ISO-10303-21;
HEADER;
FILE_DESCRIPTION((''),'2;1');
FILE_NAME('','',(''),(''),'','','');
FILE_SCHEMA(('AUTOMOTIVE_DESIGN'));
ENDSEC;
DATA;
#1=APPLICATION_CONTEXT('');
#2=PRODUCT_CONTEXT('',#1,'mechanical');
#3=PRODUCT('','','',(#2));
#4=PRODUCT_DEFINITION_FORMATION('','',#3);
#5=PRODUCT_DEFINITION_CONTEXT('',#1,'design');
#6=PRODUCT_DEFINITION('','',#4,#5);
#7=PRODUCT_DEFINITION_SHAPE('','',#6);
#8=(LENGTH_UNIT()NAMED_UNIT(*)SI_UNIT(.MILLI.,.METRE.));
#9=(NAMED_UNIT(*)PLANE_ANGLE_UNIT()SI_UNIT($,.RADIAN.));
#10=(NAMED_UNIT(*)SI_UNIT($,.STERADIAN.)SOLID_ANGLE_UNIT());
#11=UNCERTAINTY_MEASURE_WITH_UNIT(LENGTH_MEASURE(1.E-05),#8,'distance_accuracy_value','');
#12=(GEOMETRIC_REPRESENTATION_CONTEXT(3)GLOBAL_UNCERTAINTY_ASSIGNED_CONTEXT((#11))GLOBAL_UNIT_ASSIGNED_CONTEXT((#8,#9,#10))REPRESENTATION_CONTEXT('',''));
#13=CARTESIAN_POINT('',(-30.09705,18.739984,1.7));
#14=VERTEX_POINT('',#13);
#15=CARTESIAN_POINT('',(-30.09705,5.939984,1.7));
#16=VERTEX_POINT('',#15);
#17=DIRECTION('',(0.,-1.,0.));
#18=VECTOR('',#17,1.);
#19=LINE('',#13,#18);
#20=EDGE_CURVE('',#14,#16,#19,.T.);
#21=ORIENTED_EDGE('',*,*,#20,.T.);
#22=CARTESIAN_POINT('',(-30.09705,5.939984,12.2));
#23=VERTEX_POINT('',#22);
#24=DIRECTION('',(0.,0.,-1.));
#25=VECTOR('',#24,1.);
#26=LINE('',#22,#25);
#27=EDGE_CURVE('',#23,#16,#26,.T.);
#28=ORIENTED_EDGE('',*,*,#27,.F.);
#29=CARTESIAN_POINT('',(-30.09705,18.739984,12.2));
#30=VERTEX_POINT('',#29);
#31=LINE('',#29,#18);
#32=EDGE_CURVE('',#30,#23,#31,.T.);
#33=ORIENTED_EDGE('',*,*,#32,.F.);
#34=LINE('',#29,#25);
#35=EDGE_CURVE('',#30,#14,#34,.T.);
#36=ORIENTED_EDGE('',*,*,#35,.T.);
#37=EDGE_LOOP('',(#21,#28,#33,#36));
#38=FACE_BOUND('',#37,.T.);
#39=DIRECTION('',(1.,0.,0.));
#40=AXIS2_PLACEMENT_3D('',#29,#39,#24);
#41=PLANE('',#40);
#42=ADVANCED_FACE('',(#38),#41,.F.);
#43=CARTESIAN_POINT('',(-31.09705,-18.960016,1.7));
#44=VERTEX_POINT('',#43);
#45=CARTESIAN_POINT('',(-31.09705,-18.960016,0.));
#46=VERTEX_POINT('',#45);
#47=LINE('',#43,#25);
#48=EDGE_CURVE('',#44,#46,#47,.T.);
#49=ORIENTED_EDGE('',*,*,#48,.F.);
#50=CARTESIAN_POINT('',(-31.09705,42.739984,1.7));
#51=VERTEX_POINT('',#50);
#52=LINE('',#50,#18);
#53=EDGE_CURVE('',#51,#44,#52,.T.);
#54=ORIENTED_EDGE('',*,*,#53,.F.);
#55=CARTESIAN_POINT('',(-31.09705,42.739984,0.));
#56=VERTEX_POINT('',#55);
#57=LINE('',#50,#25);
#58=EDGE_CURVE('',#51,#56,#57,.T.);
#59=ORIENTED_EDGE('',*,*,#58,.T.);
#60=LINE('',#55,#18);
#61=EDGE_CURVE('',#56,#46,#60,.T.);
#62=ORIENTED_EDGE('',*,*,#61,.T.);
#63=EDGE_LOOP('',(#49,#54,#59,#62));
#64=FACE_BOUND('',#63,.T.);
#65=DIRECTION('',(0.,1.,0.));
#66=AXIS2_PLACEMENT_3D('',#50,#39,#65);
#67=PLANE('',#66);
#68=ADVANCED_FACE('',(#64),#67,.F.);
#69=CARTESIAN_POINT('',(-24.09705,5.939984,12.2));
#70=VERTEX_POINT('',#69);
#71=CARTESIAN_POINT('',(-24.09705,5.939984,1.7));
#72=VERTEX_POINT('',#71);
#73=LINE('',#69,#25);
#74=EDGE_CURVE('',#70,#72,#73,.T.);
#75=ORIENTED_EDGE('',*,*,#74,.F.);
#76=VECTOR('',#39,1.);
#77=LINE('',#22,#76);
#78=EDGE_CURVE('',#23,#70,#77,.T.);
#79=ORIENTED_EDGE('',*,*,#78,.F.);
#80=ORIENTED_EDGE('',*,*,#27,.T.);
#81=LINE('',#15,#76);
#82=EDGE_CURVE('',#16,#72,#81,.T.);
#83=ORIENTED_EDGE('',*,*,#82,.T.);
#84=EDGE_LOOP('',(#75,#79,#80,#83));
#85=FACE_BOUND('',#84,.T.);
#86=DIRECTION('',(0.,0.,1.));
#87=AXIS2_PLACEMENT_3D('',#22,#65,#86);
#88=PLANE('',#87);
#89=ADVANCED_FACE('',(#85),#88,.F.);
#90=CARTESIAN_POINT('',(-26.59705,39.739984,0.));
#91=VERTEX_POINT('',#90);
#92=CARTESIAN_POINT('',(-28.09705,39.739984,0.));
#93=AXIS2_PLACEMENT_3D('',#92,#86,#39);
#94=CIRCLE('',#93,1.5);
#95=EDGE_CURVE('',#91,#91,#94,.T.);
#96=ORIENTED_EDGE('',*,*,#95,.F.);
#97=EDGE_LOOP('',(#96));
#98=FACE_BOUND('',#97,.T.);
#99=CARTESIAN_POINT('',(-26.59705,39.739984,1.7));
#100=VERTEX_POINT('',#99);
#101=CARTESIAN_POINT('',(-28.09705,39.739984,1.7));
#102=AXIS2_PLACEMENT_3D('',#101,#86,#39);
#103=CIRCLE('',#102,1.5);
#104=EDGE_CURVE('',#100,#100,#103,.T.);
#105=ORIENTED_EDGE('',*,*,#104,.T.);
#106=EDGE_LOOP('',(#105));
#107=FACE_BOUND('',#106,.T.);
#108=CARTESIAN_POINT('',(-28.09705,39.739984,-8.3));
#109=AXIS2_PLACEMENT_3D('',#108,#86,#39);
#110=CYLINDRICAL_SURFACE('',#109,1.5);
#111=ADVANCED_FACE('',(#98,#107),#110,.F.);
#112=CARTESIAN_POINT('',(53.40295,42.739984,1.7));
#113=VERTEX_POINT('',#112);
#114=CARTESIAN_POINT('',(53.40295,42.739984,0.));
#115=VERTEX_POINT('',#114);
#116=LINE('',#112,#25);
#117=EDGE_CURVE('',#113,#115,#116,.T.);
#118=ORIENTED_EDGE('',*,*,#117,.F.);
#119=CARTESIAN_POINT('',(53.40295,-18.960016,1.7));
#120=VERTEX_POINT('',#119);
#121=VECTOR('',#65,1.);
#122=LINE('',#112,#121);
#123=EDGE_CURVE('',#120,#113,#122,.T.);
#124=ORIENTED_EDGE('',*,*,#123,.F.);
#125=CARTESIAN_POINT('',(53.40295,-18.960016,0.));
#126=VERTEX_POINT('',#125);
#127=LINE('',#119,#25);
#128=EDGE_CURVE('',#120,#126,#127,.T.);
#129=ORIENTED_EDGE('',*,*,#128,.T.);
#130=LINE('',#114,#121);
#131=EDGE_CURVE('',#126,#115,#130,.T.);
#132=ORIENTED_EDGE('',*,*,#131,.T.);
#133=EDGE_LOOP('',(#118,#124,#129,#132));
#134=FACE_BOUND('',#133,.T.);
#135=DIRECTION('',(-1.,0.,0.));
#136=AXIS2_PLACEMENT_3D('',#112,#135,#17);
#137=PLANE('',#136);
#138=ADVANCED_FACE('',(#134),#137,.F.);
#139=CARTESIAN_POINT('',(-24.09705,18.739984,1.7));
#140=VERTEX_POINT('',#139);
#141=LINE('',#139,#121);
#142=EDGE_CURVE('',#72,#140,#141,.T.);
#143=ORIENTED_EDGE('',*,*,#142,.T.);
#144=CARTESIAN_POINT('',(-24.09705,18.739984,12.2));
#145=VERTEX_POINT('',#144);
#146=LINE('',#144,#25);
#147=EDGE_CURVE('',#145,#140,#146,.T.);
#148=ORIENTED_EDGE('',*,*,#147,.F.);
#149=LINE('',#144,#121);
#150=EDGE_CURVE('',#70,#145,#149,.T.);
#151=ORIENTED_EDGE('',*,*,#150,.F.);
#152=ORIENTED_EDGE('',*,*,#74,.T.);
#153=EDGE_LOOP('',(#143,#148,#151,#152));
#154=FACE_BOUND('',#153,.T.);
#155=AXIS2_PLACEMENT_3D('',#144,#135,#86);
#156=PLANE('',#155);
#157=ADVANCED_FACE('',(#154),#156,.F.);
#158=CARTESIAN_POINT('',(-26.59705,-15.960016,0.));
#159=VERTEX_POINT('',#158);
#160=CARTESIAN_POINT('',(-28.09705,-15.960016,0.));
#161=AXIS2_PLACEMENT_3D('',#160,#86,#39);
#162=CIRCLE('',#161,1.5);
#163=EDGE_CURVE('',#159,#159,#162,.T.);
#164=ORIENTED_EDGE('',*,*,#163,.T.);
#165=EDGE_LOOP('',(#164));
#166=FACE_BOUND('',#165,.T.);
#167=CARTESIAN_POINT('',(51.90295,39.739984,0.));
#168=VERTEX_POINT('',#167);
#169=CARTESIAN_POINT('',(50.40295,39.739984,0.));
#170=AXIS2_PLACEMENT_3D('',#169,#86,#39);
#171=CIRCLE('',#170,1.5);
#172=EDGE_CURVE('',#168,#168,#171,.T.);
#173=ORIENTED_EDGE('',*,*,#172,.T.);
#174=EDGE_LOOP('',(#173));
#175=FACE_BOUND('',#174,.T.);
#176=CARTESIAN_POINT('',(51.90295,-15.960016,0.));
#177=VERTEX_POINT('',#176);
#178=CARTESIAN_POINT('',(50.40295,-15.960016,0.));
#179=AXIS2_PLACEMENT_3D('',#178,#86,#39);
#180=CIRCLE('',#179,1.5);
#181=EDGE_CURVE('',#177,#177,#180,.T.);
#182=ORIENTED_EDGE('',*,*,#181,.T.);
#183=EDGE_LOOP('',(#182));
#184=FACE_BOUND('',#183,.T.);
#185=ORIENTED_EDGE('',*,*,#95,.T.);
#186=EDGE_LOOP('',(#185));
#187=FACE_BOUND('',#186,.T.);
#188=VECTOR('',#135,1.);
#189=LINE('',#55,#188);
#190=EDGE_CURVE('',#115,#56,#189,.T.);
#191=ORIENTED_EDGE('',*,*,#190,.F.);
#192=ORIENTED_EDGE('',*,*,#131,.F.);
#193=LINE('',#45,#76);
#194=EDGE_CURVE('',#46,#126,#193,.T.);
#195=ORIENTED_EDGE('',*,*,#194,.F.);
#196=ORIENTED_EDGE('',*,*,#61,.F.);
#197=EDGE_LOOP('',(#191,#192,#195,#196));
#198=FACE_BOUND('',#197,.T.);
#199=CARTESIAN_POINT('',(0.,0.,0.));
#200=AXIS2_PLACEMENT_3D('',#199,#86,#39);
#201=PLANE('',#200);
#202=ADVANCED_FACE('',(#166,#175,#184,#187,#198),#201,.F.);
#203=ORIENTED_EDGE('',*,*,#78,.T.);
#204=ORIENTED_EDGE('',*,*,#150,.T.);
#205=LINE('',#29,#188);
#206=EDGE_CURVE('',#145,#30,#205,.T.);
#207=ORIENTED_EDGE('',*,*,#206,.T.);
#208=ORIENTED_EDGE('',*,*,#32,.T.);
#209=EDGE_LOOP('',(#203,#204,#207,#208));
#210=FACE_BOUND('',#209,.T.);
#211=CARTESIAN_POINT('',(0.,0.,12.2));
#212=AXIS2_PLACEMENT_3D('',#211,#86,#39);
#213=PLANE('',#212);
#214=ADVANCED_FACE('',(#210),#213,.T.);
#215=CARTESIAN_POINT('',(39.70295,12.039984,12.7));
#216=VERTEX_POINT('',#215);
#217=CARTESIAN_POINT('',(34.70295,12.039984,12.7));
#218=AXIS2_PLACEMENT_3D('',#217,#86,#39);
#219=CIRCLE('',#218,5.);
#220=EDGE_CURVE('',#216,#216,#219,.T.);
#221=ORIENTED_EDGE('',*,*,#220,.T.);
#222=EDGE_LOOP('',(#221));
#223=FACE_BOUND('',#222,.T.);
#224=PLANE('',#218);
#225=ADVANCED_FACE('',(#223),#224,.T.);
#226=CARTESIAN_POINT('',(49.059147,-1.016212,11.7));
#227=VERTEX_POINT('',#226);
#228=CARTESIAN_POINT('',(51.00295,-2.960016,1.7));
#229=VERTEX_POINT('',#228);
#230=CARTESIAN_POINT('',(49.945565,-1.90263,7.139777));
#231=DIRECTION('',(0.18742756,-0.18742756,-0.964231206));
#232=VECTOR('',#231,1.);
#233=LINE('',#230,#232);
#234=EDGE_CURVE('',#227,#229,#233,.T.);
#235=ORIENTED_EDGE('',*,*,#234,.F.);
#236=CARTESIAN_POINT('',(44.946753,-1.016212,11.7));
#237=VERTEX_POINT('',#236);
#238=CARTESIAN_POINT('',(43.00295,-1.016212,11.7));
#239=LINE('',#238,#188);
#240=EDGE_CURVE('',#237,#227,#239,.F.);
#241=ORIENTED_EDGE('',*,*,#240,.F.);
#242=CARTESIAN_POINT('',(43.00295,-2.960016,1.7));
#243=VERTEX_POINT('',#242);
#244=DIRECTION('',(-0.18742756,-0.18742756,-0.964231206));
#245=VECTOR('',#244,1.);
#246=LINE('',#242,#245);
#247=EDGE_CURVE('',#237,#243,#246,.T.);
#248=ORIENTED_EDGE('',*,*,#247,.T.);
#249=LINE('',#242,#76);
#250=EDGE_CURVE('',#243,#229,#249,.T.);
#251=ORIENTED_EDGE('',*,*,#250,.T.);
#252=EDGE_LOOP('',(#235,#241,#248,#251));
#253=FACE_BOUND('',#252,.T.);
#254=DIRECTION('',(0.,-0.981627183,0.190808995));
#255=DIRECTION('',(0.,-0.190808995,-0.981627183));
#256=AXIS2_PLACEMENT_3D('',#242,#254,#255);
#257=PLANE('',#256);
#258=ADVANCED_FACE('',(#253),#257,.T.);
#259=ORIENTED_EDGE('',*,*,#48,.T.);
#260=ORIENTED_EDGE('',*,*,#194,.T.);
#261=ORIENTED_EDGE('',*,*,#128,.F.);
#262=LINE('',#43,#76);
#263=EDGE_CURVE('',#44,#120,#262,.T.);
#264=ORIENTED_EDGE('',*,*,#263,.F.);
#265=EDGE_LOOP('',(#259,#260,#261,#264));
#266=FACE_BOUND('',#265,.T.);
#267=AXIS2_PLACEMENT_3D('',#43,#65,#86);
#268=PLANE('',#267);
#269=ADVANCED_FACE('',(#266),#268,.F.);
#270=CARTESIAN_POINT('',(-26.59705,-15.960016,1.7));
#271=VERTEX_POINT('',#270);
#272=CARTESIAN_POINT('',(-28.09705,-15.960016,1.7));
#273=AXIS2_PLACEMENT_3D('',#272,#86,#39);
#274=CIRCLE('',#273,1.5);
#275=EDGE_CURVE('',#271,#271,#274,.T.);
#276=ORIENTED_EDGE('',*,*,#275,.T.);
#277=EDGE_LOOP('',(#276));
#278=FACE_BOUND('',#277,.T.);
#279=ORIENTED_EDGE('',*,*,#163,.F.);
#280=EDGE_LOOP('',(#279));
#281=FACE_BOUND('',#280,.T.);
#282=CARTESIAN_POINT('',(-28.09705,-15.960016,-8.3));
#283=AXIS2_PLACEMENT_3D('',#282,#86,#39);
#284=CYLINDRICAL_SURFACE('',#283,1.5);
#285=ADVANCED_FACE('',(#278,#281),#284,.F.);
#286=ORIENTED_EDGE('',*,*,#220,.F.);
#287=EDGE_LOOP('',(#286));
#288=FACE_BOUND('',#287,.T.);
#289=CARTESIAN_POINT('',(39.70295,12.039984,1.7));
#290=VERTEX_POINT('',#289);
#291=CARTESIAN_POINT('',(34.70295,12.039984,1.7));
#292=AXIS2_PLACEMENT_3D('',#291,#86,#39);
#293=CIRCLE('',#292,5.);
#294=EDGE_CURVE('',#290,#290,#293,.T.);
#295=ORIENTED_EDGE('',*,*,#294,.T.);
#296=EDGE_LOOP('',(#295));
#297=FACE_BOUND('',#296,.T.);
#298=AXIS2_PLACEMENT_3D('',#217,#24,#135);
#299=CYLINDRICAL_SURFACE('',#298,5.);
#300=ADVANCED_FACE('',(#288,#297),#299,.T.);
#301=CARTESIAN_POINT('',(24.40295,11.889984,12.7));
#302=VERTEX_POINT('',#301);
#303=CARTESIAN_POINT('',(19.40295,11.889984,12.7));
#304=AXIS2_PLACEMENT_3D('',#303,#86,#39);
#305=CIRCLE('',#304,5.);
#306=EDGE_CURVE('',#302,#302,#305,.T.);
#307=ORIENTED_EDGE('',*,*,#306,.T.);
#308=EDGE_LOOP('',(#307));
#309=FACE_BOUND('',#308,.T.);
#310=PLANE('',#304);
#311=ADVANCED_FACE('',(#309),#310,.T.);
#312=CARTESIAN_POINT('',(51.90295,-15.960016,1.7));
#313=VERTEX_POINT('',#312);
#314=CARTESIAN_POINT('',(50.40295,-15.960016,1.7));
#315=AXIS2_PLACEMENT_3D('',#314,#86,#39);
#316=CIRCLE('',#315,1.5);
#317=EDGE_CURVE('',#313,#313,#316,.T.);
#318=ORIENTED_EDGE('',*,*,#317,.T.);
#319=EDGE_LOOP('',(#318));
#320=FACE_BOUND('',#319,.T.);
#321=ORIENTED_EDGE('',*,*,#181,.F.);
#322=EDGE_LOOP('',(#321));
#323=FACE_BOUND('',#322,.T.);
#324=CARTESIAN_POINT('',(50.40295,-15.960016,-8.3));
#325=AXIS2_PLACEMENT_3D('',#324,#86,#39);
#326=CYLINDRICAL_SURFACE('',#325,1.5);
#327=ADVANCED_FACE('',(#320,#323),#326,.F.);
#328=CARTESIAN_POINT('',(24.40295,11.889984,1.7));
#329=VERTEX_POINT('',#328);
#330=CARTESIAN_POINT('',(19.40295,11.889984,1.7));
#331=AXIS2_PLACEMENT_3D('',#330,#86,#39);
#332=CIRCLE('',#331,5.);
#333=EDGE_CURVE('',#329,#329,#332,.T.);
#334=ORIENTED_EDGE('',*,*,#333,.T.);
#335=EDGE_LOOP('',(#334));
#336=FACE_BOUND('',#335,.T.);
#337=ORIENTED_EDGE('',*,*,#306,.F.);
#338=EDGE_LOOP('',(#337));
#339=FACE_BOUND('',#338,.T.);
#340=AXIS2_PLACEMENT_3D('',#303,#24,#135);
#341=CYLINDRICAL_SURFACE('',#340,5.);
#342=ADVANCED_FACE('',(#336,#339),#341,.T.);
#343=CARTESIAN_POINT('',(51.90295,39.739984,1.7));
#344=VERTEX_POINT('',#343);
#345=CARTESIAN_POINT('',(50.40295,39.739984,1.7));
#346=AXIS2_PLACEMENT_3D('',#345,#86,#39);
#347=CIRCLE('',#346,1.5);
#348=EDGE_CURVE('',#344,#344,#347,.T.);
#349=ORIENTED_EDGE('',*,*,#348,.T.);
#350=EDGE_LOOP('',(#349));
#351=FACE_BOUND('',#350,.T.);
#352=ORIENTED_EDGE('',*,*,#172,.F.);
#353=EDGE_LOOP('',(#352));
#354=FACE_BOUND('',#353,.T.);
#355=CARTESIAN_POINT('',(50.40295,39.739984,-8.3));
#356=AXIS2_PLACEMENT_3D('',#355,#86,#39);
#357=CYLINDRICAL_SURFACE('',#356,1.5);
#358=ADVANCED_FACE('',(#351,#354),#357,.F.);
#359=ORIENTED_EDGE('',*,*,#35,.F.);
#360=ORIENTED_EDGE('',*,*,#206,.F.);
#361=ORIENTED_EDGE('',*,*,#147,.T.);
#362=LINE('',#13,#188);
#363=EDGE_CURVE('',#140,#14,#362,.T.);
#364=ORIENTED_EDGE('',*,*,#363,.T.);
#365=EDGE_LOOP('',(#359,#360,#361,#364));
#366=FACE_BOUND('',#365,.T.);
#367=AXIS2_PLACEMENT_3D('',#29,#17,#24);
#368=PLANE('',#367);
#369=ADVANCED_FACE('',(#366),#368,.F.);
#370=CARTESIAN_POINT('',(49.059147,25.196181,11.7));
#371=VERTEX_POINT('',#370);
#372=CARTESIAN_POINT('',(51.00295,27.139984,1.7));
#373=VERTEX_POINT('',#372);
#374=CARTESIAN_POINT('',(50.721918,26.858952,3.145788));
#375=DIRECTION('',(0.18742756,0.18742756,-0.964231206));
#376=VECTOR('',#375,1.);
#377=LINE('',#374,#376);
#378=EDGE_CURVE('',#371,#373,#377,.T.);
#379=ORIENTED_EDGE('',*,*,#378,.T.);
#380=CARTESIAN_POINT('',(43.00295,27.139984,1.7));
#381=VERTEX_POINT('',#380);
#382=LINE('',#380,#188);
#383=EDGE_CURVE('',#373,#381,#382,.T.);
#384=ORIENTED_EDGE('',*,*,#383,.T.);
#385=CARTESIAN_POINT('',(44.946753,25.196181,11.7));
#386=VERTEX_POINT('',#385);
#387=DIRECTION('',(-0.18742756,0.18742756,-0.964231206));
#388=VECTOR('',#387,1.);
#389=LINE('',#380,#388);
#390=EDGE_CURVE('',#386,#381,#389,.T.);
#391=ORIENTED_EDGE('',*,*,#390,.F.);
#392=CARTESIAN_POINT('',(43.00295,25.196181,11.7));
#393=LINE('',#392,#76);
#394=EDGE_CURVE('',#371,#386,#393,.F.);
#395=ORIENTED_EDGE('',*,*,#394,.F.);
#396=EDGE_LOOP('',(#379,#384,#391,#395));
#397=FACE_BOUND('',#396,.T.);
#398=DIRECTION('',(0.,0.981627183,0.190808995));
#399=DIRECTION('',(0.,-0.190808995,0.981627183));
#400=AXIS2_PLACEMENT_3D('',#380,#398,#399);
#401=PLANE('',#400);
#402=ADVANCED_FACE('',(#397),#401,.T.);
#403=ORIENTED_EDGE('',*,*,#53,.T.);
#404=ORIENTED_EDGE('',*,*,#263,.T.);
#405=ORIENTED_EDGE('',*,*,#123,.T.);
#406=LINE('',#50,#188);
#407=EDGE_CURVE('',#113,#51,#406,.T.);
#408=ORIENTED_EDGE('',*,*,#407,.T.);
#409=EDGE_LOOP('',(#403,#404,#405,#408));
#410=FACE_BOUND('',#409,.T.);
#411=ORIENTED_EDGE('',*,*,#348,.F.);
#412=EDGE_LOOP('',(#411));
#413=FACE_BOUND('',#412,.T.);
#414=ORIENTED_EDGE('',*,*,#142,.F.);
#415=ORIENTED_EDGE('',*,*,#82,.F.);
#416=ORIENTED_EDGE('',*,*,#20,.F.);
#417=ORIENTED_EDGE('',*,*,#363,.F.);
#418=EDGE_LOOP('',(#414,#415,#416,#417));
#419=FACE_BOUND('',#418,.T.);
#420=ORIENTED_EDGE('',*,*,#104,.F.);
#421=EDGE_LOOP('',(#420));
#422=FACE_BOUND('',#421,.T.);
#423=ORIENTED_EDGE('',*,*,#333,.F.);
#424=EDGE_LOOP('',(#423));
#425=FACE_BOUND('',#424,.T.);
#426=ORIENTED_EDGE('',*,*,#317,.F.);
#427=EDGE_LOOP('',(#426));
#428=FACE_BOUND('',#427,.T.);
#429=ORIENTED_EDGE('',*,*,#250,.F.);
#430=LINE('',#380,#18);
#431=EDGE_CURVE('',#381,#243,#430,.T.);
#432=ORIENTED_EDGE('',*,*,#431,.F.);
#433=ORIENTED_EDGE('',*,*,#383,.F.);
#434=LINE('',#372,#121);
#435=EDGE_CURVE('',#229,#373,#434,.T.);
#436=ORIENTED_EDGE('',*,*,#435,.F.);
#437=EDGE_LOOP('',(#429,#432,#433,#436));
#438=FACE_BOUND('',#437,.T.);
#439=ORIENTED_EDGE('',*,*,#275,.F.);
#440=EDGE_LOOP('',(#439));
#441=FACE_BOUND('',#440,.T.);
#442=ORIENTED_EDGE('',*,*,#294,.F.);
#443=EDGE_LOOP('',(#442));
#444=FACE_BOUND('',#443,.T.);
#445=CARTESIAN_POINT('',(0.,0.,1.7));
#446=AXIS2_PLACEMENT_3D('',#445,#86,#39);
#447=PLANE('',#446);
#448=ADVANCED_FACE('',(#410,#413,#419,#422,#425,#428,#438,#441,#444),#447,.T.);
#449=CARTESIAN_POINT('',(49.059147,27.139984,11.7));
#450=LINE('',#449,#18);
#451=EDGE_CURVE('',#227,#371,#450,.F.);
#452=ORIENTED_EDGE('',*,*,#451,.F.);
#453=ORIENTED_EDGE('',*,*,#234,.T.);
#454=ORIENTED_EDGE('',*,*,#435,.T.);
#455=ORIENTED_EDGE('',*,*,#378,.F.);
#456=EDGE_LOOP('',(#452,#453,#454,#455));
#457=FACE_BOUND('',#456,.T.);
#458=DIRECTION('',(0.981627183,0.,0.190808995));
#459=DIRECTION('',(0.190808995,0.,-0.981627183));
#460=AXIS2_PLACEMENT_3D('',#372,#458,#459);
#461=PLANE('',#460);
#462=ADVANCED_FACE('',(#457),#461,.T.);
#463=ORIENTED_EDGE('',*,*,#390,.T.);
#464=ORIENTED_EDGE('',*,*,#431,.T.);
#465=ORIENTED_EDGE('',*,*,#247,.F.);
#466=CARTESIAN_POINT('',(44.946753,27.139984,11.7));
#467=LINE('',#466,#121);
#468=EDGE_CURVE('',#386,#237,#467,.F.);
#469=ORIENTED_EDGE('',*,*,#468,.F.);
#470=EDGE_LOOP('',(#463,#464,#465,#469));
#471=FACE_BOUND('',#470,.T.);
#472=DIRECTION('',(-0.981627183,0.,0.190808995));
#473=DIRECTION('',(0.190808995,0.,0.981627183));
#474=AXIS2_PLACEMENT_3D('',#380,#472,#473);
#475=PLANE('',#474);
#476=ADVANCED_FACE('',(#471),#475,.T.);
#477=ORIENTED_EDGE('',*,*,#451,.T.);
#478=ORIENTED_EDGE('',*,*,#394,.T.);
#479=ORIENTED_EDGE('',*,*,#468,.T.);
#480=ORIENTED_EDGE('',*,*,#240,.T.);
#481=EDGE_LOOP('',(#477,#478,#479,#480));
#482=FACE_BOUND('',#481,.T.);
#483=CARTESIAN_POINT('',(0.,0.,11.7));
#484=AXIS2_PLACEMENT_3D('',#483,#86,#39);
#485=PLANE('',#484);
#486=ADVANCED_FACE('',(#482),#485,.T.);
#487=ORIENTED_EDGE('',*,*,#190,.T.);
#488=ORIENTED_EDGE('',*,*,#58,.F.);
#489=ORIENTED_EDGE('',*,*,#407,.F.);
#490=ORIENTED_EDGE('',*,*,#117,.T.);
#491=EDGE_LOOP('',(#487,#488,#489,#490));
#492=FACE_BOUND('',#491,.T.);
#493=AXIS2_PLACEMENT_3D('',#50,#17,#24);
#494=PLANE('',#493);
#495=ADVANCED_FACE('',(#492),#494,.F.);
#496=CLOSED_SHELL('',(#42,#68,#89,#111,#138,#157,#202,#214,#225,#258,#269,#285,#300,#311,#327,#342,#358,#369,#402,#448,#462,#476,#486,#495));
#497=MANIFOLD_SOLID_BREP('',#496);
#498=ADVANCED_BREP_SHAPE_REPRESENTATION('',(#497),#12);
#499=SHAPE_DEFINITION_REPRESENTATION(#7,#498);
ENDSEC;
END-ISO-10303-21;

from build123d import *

# Parameters (mm, degrees)
SKETCH1_W           = 84.5
SKETCH1_H           = 61.7
BOSS_EXTRUDE1_DEPTH = 1.7
SKETCH2_W           = 8
SKETCH2_H           = 30.1
BOSS_EXTRUDE2_DEPTH = 10
BOSS_EXTRUDE2_TAPER = 11
SKETCH3_R           = 5
BOSS_EXTRUDE3_DEPTH = 11
SKETCH4_R           = 5
BOSS_EXTRUDE4_DEPTH = 11
SKETCH5_W           = 6
SKETCH5_H           = 12.8
BOSS_EXTRUDE5_DEPTH = 10.5
SKETCH6_R           = 1.5
CUT_EXTRUDE1_DEPTH  = 10
SKETCH7_R           = 1.5
CUT_EXTRUDE2_DEPTH  = 10
SKETCH8_R           = 1.5
CUT_EXTRUDE3_DEPTH  = 10
SKETCH9_R           = 1.5
CUT_EXTRUDE4_DEPTH  = 10


with BuildPart() as part:
    # Sketch1 → Boss-Extrude1 (new body)
    with BuildSketch(Plane.XY):
        with Locations((11.152950311, 11.889984472)):
            Rectangle(SKETCH1_W, SKETCH1_H)
    extrude(amount=BOSS_EXTRUDE1_DEPTH)

    # Sketch2 → Boss-Extrude2 (add)
    with BuildSketch(Plane.XY.offset(1.7)):
        with Locations((47.002950311, 12.089984472)):
            Rectangle(SKETCH2_W, SKETCH2_H)
    extrude(amount=BOSS_EXTRUDE2_DEPTH, taper=BOSS_EXTRUDE2_TAPER)

    # Sketch3 → Boss-Extrude3 (add)
    with BuildSketch(Plane.XY.offset(1.7)):
        with Locations((19.402950311, 11.889984472)):
            Circle(SKETCH3_R)
    extrude(amount=BOSS_EXTRUDE3_DEPTH)

    # Sketch4 → Boss-Extrude4 (add)
    with BuildSketch(Plane.XY.offset(1.7)):
        with Locations((34.702950311, 12.039984472)):
            Circle(SKETCH4_R)
    extrude(amount=BOSS_EXTRUDE4_DEPTH)

    # Sketch5 → Boss-Extrude5 (add)
    with BuildSketch(Plane.XY.offset(1.7)):
        with Locations((-27.097049689, 12.339984472)):
            Rectangle(SKETCH5_W, SKETCH5_H)
    extrude(amount=BOSS_EXTRUDE5_DEPTH)

    # Sketch6 → Cut-Extrude1 (cut)
    with BuildSketch(Plane.XY.offset(1.7)):
        with Locations((-28.097049689, -15.960015528)):
            Circle(SKETCH6_R)
    extrude(amount=-CUT_EXTRUDE1_DEPTH, mode=Mode.SUBTRACT)

    # Sketch7 → Cut-Extrude2 (cut)
    with BuildSketch(Plane.XY.offset(1.7)):
        with Locations((-28.097049689, 39.739984472)):
            Circle(SKETCH7_R)
    extrude(amount=-CUT_EXTRUDE2_DEPTH, mode=Mode.SUBTRACT)

    # Sketch8 → Cut-Extrude3 (cut)
    with BuildSketch(Plane.XY.offset(1.7)):
        with Locations((50.402950311, -15.960015528)):
            Circle(SKETCH8_R)
    extrude(amount=-CUT_EXTRUDE3_DEPTH, mode=Mode.SUBTRACT)

    # Sketch9 → Cut-Extrude4 (cut)
    with BuildSketch(Plane.XY.offset(1.7)):
        with Locations((50.402950311, 39.739984472)):
            Circle(SKETCH9_R)
    extrude(amount=-CUT_EXTRUDE4_DEPTH, mode=Mode.SUBTRACT)


solid = part.part
